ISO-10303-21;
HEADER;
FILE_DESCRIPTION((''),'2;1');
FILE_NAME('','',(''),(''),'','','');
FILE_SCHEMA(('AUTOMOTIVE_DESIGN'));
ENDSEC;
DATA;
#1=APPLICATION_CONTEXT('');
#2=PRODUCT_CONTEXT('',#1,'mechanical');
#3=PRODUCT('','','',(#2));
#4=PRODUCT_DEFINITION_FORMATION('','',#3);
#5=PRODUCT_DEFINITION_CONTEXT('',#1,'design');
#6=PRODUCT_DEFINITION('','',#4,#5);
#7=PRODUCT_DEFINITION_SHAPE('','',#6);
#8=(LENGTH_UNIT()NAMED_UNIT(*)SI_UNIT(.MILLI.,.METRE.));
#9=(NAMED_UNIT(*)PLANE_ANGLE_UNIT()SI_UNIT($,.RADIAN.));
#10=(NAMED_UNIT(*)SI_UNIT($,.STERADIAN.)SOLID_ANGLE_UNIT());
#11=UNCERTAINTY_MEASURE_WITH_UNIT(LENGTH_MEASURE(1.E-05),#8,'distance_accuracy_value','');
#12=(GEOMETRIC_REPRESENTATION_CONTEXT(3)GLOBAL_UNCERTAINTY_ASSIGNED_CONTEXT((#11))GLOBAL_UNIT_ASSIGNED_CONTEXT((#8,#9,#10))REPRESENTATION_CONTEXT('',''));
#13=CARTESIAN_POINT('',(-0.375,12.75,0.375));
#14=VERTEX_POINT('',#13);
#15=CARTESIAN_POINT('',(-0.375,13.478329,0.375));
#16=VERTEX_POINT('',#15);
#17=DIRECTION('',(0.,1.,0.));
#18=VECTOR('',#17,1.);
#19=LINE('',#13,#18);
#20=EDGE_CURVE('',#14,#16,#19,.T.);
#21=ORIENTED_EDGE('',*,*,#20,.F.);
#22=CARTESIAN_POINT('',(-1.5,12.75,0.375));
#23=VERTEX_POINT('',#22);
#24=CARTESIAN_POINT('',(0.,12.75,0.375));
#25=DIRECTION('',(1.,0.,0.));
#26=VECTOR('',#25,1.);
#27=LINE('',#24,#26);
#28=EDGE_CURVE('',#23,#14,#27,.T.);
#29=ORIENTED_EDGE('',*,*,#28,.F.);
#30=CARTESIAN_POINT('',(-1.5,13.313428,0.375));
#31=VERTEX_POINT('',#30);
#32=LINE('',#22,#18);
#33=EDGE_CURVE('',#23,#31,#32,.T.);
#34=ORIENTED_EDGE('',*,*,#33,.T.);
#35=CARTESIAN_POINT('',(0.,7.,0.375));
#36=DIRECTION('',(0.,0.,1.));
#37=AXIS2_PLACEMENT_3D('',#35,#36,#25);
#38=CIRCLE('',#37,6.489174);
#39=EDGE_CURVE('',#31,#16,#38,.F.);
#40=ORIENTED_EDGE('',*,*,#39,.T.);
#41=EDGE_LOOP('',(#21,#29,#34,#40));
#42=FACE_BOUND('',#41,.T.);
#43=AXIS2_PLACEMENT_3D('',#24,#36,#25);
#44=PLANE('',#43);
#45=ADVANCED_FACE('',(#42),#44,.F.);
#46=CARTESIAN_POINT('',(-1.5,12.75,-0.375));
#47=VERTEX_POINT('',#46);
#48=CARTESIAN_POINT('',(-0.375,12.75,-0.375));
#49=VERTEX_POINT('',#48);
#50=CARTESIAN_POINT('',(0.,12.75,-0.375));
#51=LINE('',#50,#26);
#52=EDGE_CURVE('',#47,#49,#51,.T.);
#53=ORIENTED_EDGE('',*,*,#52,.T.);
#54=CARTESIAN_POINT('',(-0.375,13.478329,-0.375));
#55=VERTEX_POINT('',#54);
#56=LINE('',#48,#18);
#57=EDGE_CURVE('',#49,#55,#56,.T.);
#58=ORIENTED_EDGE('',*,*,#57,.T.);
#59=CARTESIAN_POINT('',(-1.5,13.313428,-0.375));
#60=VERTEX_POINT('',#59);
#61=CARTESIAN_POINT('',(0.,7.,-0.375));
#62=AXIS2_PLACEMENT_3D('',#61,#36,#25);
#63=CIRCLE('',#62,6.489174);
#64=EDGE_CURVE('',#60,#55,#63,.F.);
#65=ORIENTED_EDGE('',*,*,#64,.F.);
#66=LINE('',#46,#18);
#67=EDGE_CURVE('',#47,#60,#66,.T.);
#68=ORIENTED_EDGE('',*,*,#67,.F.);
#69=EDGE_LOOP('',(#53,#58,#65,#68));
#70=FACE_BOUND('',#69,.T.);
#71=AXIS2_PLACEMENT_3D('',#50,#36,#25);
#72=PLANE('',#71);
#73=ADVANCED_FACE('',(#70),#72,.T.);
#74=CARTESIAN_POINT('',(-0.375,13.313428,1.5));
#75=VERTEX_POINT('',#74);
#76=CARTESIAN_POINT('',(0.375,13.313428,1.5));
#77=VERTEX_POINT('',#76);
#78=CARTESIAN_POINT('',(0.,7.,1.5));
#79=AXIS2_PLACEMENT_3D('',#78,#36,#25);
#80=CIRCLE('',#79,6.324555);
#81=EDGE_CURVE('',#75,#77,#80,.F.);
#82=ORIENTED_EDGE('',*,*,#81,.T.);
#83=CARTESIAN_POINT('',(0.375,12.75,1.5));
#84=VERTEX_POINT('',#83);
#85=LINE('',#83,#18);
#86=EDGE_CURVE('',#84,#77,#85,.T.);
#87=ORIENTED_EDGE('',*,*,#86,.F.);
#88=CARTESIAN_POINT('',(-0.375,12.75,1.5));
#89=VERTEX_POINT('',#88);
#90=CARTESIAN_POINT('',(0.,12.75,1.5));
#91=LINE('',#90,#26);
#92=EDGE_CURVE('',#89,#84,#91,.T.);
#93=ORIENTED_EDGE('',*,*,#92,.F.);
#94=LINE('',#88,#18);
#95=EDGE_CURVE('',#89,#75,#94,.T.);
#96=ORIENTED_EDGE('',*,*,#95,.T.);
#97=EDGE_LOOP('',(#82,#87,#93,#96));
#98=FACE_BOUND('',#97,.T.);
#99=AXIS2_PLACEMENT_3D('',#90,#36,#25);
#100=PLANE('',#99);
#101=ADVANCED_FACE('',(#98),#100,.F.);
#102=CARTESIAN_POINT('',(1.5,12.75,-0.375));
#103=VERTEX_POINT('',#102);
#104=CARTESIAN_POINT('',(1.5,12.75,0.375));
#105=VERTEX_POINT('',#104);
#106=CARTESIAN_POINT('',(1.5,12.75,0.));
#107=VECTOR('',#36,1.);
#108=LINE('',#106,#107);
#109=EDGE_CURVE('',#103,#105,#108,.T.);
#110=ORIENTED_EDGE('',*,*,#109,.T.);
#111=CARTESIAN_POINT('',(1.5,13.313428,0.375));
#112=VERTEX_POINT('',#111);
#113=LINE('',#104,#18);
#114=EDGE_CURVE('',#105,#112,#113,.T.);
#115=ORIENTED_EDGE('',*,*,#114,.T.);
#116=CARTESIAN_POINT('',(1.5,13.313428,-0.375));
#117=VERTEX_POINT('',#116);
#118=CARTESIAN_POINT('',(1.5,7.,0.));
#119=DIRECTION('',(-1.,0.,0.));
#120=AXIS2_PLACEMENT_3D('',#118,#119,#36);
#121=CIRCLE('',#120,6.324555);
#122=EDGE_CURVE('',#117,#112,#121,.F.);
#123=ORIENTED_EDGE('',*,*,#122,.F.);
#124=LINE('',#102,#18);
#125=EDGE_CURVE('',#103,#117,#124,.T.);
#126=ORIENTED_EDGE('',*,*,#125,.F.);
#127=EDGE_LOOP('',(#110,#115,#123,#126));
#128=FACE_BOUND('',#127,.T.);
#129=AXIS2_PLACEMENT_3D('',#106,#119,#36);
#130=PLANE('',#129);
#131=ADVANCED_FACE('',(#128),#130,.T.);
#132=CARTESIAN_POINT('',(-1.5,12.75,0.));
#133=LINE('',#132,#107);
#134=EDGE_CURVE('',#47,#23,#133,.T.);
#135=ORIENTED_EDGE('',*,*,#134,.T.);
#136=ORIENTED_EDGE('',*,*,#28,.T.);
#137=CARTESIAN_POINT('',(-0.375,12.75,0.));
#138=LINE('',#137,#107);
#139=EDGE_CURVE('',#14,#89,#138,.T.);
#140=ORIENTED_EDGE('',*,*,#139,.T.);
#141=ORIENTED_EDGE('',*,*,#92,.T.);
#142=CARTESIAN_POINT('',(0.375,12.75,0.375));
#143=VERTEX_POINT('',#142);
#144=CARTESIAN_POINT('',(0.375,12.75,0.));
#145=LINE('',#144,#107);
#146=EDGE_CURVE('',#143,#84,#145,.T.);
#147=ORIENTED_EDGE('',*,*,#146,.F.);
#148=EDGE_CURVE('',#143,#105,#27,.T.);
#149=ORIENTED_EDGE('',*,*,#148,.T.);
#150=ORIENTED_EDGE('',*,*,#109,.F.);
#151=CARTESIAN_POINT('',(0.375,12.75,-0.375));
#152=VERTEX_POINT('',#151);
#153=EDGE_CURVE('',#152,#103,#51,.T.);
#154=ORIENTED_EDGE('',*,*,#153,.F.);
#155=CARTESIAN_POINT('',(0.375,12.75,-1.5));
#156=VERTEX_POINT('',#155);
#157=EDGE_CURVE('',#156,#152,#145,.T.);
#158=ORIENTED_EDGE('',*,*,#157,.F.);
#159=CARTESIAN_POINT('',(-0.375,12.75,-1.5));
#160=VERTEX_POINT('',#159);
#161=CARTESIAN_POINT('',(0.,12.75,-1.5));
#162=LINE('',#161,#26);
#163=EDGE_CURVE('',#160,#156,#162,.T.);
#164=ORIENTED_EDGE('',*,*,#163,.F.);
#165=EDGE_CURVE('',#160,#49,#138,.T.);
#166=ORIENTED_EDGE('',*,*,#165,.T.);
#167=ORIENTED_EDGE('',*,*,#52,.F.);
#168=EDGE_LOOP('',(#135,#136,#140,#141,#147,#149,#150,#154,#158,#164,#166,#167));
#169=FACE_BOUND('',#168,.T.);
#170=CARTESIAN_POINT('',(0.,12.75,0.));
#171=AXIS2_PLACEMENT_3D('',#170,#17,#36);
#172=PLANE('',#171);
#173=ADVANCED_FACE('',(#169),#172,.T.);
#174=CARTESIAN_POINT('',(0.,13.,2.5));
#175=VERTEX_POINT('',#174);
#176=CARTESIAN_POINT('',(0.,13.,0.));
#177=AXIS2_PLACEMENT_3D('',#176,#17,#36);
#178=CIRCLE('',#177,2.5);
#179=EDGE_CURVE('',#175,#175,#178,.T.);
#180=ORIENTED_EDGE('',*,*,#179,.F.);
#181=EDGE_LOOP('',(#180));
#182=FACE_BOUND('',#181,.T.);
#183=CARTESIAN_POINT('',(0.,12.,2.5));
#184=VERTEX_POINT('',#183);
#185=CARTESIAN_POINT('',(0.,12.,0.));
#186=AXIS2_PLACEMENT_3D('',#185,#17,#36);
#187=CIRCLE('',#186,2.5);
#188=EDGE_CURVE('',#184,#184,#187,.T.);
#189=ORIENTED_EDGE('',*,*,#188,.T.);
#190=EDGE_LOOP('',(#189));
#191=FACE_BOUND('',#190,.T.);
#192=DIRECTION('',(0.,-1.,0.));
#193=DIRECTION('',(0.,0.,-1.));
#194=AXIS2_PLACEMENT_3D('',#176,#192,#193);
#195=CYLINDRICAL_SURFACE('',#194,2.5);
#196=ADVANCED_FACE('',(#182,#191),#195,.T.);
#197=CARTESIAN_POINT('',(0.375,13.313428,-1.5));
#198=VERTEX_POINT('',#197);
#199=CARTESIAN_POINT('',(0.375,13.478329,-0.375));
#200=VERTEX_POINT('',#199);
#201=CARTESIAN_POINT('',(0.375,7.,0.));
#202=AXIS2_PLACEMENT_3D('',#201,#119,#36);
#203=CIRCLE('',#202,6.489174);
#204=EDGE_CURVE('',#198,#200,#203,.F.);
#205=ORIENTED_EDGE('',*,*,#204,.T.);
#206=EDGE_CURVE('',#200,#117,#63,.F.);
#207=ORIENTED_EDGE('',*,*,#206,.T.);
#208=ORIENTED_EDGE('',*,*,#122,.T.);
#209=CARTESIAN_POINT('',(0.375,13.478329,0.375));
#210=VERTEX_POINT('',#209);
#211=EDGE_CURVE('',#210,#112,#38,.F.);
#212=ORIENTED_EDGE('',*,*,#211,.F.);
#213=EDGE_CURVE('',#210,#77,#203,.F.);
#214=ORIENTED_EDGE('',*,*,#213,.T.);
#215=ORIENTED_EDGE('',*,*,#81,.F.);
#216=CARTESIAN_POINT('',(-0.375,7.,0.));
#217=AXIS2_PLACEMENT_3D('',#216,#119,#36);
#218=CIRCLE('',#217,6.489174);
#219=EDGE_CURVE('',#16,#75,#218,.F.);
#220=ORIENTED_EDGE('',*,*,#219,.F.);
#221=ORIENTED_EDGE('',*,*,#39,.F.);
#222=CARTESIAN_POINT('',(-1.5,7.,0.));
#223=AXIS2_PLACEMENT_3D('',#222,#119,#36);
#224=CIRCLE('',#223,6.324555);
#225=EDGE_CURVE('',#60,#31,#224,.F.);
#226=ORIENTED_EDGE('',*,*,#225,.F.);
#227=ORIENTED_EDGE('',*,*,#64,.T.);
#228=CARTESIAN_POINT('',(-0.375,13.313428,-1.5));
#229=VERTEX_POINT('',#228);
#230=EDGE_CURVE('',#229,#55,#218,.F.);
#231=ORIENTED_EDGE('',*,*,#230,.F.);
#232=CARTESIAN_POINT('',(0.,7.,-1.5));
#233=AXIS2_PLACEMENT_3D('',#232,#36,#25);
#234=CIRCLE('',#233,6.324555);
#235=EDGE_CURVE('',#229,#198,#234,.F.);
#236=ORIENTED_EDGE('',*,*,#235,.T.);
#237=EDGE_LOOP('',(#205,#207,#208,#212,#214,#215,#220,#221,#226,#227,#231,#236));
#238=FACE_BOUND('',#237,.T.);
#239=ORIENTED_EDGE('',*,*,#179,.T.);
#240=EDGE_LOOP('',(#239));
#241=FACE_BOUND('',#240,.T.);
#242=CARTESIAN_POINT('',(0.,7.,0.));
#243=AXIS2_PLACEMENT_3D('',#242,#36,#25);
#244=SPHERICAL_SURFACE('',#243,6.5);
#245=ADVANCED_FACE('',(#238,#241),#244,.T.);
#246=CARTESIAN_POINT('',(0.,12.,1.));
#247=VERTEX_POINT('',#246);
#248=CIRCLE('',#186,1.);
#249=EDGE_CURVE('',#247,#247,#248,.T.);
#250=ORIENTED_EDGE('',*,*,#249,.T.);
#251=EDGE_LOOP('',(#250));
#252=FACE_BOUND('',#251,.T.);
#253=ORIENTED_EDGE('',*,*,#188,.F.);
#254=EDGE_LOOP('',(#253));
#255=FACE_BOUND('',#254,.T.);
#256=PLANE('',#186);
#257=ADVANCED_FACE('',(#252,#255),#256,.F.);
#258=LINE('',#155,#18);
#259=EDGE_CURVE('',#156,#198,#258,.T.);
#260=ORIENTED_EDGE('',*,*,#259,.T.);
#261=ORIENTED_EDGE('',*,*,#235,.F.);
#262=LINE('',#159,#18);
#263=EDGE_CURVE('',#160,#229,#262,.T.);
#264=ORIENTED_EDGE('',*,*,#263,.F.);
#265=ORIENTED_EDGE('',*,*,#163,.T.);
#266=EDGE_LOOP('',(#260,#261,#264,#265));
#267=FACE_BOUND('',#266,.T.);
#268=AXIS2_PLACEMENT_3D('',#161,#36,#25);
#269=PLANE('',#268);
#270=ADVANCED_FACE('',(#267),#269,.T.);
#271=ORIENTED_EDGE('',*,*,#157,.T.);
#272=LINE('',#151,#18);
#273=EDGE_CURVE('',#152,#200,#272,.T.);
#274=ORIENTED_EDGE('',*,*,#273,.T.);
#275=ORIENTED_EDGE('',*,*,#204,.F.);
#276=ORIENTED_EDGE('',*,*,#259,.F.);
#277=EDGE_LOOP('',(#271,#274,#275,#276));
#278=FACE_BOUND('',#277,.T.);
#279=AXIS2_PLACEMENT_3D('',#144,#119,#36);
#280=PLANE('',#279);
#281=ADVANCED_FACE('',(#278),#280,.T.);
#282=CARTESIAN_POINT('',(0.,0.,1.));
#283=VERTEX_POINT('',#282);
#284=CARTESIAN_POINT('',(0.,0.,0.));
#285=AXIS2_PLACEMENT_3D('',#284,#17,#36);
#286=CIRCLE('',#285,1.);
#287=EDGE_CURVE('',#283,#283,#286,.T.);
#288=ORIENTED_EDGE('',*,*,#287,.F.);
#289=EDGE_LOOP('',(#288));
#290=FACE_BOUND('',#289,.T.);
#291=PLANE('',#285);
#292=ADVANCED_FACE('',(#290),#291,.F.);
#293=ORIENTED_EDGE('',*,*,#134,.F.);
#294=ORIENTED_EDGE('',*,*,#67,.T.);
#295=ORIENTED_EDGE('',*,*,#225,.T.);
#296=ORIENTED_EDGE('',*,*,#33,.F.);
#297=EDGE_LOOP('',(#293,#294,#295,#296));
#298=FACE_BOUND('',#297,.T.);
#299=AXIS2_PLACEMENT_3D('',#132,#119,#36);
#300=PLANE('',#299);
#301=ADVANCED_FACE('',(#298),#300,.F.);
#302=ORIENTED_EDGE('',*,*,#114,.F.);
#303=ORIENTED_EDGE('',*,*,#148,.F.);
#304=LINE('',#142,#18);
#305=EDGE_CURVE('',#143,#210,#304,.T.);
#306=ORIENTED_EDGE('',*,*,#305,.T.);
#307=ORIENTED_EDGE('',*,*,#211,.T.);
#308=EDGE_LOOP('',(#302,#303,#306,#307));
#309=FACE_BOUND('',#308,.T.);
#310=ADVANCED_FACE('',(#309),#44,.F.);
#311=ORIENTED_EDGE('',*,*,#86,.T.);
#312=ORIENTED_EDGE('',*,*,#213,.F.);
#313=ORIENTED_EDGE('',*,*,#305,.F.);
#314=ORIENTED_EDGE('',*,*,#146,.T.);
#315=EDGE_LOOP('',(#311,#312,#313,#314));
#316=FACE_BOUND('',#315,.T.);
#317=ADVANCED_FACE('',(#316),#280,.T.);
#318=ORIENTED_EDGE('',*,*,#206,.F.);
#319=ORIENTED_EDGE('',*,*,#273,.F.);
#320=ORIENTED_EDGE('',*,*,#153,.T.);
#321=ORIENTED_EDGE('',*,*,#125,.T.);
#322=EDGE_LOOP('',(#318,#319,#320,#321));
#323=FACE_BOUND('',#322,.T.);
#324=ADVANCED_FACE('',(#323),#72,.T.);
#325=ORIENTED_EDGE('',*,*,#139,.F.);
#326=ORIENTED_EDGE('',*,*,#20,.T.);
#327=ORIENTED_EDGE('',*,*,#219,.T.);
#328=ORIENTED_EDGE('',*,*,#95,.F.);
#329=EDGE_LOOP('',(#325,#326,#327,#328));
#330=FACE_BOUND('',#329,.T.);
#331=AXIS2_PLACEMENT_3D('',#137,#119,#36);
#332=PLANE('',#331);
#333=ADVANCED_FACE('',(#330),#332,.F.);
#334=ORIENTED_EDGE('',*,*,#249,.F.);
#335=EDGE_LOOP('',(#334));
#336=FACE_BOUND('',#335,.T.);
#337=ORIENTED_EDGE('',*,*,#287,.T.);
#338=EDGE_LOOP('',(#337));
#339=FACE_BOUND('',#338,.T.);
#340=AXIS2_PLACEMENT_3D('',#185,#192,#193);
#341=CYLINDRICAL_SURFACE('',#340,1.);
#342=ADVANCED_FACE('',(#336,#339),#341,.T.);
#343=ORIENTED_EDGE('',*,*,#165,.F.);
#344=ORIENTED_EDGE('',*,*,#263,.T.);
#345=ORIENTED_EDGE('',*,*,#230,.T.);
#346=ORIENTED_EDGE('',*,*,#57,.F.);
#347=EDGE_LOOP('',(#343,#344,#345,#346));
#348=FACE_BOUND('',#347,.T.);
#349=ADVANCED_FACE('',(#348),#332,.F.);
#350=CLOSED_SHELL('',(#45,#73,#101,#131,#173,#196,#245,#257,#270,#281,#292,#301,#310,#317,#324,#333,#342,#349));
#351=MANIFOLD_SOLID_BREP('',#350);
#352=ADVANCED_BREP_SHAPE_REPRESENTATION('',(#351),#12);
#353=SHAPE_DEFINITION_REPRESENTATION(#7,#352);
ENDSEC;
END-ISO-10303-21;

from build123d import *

# Parameters (mm, degrees)
SKETCH1_R           = 1
BOSS_EXTRUDE1_DEPTH = 12
SKETCH2_R           = 2.5
BOSS_EXTRUDE2_DEPTH = 1
DOME1_FACE_RADIUS   = 2.5
DOME1_HEIGHT        = 0.5
SKETCH3_W           = 1.125
SKETCH3_H           = 0.75
SKETCH3_W_2         = 0.75
SKETCH3_H_2         = 1.125
CUT_EXTRUDE1_DEPTH  = 0.75


with BuildPart() as part:
    # Sketch1 → Boss-Extrude1 (new body)
    with BuildSketch(Plane(origin=(0, 0, 0), x_dir=(1, 0, 0), z_dir=(0, 1, 0))):
        Circle(SKETCH1_R)
    extrude(amount=BOSS_EXTRUDE1_DEPTH)

    # Sketch2 → Boss-Extrude2 (add)
    with BuildSketch(Plane(origin=(0, 12, 0), x_dir=(1, 0, 0), z_dir=(0, 1, 0))):
        Circle(SKETCH2_R)
    extrude(amount=BOSS_EXTRUDE2_DEPTH)

    # Dome1: a dome of height H over a round flat face of radius A is a cap of a sphere of radius (A * A + H * H) / (2 * H)
    dome1_r = (DOME1_FACE_RADIUS * DOME1_FACE_RADIUS + DOME1_HEIGHT * DOME1_HEIGHT) / (2 * DOME1_HEIGHT)
    dome1_base = Plane((0, 13, 0), z_dir=(0, 1, 0))
    with Locations(dome1_base.offset(DOME1_HEIGHT - dome1_r)):
        dome1_ball = Sphere(dome1_r, mode=Mode.PRIVATE)
    add(split(dome1_ball, bisect_by=dome1_base, keep=Keep.TOP, mode=Mode.PRIVATE))

    # Sketch3 → Cut-Extrude1 (cut)
    with BuildSketch(Plane(origin=(0, 13.5, 0), x_dir=(1, 0, 0), z_dir=(0, 1, 0))):
        with Locations((-0.9375, 0)):
            Rectangle(SKETCH3_W, SKETCH3_H)
        Rectangle(SKETCH3_W_2, SKETCH3_H)
        with Locations((0, 0.9375)):
            Rectangle(SKETCH3_W_2, SKETCH3_H_2)
        with Locations((0.9375, 0)):
            Rectangle(SKETCH3_W, SKETCH3_H)
        with Locations((0, -0.9375)):
            Rectangle(SKETCH3_W_2, SKETCH3_H_2)
    extrude(amount=-CUT_EXTRUDE1_DEPTH, mode=Mode.SUBTRACT)


solid = part.part
